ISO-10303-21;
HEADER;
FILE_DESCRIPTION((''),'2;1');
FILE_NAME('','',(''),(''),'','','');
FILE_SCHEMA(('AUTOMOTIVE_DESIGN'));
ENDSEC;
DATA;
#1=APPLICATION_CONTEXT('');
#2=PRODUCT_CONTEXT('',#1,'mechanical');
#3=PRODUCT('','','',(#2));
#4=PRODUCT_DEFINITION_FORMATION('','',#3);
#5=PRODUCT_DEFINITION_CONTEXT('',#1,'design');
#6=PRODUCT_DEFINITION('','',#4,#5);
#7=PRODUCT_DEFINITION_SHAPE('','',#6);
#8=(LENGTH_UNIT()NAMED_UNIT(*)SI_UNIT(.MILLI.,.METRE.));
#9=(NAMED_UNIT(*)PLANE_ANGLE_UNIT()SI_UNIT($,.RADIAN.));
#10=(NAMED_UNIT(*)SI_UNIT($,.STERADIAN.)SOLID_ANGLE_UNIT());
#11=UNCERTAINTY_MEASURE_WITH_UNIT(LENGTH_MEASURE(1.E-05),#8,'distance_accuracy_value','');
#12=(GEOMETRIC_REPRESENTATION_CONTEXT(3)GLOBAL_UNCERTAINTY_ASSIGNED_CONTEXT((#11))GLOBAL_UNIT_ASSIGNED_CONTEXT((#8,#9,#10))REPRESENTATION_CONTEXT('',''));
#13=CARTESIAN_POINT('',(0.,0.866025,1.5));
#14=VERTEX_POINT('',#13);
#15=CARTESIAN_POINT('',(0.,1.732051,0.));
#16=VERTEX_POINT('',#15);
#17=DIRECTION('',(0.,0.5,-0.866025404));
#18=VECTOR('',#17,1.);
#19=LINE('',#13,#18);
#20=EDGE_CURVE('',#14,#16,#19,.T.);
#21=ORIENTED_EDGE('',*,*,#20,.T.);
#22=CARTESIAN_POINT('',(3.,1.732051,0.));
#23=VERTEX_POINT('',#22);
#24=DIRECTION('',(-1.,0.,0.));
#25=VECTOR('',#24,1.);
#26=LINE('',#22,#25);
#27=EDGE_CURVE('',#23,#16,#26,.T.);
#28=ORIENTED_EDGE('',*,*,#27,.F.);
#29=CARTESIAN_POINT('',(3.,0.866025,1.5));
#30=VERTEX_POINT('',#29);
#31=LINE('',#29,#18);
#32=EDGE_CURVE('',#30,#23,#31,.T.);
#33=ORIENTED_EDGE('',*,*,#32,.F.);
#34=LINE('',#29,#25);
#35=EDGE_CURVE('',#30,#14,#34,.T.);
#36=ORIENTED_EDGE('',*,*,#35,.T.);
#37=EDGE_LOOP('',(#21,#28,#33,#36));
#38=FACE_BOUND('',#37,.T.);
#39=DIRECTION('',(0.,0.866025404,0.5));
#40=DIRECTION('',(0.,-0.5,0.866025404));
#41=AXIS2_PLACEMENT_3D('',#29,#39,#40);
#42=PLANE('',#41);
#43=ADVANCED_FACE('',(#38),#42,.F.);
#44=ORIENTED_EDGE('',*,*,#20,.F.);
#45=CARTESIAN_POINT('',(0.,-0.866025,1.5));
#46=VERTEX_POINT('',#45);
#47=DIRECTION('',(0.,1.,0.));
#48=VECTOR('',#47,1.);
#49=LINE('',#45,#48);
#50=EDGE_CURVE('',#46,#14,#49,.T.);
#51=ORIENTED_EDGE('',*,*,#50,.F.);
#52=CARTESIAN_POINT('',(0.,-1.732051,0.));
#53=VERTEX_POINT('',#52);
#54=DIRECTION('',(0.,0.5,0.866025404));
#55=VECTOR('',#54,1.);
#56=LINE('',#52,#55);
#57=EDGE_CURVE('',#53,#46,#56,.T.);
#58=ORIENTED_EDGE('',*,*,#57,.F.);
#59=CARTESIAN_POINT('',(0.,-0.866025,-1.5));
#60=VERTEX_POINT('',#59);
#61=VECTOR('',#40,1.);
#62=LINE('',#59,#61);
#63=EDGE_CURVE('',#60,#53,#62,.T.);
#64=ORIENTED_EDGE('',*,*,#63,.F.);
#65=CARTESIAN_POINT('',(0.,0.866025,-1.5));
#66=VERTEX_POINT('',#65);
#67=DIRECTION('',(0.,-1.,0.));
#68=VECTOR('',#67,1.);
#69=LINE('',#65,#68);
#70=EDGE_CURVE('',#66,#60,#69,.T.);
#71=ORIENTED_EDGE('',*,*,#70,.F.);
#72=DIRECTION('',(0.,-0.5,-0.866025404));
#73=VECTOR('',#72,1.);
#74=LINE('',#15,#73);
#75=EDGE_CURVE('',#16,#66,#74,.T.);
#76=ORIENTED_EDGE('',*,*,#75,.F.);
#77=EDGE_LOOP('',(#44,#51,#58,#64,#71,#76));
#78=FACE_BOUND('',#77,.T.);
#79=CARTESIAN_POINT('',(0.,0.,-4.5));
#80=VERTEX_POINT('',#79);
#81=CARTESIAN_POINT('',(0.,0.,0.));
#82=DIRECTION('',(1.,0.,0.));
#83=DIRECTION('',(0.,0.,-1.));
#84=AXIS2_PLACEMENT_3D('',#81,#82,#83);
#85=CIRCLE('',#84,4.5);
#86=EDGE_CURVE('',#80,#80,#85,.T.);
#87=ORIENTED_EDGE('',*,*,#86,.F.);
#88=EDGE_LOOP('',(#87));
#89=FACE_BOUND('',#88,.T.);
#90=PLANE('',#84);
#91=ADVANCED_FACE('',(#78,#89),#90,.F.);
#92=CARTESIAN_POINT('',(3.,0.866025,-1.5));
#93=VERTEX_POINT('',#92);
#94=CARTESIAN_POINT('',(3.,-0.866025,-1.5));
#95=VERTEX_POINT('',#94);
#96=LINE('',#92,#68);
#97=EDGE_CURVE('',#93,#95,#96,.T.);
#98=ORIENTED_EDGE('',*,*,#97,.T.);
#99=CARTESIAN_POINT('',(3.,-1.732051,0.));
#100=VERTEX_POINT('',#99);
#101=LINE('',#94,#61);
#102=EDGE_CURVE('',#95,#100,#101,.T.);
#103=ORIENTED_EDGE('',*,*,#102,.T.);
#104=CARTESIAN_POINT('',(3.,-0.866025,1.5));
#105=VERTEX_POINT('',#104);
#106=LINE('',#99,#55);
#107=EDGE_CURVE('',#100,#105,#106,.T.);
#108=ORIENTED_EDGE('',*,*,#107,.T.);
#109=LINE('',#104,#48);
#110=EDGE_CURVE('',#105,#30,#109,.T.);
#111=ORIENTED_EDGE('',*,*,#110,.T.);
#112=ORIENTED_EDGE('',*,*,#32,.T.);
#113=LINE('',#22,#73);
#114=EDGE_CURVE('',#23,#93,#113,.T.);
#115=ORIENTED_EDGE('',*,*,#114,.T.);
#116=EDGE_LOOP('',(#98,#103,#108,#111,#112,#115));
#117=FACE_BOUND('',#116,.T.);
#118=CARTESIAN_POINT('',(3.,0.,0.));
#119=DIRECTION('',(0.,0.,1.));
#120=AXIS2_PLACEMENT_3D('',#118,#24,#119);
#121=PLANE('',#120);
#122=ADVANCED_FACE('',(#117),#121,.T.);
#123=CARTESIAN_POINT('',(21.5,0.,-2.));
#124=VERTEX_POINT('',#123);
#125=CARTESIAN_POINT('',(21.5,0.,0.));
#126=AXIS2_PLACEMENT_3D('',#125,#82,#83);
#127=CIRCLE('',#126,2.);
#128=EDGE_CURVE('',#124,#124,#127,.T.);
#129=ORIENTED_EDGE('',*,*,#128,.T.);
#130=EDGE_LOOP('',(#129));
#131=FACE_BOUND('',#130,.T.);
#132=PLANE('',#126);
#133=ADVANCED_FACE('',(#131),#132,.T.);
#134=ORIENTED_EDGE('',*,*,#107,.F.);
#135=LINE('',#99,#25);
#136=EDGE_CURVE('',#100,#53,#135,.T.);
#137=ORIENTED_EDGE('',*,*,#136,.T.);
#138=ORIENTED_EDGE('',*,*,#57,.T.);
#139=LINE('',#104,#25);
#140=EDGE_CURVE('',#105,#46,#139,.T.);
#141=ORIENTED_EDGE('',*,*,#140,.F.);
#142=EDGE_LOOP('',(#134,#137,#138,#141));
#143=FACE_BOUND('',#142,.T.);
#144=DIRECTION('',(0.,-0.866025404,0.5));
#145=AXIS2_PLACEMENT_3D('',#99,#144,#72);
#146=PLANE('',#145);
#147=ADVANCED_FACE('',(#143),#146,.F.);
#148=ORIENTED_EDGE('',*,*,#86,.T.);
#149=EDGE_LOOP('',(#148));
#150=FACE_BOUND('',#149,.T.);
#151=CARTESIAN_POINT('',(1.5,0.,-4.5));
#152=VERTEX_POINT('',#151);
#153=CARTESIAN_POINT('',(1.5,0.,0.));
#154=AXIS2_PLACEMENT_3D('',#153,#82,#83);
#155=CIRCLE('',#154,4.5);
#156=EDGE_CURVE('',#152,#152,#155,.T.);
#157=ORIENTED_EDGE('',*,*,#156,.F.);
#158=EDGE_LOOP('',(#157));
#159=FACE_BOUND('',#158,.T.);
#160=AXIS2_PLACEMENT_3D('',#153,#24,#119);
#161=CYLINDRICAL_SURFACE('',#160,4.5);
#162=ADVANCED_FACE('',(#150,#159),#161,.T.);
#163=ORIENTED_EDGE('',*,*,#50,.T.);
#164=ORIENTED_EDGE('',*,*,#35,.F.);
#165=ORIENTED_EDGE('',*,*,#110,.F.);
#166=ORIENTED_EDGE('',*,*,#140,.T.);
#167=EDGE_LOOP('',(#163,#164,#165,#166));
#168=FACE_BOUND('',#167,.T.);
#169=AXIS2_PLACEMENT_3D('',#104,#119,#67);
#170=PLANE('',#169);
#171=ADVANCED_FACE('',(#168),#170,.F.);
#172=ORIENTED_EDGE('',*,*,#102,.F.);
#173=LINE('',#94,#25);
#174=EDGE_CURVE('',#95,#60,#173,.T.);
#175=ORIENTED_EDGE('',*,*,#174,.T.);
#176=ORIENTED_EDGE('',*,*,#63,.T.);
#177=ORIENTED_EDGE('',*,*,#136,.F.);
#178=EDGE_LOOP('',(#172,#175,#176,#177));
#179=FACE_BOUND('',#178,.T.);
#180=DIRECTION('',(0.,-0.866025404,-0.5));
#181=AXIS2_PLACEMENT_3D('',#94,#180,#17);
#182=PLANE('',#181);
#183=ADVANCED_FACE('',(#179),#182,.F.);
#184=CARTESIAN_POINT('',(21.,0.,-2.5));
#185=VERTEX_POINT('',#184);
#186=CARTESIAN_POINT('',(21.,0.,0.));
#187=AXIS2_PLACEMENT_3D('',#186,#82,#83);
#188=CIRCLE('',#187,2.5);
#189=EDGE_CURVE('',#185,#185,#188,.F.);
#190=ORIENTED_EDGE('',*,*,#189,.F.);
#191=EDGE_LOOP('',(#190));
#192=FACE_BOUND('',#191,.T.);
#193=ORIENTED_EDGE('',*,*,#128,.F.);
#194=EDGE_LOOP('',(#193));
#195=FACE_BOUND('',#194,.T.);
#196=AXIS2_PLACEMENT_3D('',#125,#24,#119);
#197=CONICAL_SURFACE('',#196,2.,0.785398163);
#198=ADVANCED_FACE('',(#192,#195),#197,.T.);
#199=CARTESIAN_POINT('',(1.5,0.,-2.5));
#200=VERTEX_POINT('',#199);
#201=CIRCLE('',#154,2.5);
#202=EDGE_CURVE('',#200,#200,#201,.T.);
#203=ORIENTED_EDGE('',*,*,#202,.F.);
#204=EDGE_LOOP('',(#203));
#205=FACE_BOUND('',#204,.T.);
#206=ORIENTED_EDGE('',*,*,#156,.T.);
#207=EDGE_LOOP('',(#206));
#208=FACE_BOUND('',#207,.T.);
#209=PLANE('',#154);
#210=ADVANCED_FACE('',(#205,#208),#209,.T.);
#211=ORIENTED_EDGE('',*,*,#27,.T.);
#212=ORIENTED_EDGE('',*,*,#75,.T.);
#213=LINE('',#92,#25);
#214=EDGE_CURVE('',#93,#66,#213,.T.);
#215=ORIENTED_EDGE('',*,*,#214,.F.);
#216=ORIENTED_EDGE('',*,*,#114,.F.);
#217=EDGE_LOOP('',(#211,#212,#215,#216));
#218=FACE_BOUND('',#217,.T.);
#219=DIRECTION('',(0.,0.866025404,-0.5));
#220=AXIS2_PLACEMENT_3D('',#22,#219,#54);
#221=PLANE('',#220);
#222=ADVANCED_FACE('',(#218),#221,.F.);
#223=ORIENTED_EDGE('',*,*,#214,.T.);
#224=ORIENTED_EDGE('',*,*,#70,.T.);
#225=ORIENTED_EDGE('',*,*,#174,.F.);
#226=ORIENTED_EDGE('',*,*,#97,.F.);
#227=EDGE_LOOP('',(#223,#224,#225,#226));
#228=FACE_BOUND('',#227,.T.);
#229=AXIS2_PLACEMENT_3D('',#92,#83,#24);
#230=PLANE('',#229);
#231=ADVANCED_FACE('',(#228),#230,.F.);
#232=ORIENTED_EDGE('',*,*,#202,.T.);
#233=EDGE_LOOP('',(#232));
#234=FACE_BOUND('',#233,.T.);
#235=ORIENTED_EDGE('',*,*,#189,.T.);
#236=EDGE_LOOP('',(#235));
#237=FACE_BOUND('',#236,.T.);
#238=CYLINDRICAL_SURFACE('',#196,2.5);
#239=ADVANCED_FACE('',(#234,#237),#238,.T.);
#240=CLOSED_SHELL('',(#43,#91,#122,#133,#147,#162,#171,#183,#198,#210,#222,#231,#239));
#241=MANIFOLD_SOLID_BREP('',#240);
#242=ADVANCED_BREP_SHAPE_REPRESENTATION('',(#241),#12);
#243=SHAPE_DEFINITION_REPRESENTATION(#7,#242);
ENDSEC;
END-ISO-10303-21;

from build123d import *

# Parameters (mm, degrees)
SKETCH1_R     = 4.5
HEAD_DEPTH    = 1.5
SKETCH2_R     = 2.5
BODY_DEPTH    = 20
DRIVE_DEPTH   = 3
CHAMFER1_SIZE = 0.5


with BuildPart() as part:
    # Sketch1 → Head (new body)
    with BuildSketch(Plane(origin=(0, 0, 0), x_dir=(0, 0, -1), z_dir=(1, 0, 0))):
        Circle(SKETCH1_R)
    extrude(amount=HEAD_DEPTH)

    # Sketch2 → Body (add)
    with BuildSketch(Plane(origin=(1.5, 0, 0), x_dir=(0, 0, -1), z_dir=(1, 0, 0))):
        Circle(SKETCH2_R)
    extrude(amount=BODY_DEPTH)

    # Sketch3 → Drive (cut)
    with BuildSketch(Plane.ZY):
        Polygon((0, 1.732050808), (-1.5, 0.866025404), (-1.5, -0.866025404), (0, -1.732050808), (1.5, -0.866025404), (1.5, 0.866025404), align=None)
    extrude(amount=-DRIVE_DEPTH, mode=Mode.SUBTRACT)

    # Chamfer1
    chamfer1_edges = [part.edges().sort_by_distance(p)[0] for p in [
        (21.5, 0, 2.5),
    ]]
    chamfer(chamfer1_edges, length=CHAMFER1_SIZE)


solid = part.part
